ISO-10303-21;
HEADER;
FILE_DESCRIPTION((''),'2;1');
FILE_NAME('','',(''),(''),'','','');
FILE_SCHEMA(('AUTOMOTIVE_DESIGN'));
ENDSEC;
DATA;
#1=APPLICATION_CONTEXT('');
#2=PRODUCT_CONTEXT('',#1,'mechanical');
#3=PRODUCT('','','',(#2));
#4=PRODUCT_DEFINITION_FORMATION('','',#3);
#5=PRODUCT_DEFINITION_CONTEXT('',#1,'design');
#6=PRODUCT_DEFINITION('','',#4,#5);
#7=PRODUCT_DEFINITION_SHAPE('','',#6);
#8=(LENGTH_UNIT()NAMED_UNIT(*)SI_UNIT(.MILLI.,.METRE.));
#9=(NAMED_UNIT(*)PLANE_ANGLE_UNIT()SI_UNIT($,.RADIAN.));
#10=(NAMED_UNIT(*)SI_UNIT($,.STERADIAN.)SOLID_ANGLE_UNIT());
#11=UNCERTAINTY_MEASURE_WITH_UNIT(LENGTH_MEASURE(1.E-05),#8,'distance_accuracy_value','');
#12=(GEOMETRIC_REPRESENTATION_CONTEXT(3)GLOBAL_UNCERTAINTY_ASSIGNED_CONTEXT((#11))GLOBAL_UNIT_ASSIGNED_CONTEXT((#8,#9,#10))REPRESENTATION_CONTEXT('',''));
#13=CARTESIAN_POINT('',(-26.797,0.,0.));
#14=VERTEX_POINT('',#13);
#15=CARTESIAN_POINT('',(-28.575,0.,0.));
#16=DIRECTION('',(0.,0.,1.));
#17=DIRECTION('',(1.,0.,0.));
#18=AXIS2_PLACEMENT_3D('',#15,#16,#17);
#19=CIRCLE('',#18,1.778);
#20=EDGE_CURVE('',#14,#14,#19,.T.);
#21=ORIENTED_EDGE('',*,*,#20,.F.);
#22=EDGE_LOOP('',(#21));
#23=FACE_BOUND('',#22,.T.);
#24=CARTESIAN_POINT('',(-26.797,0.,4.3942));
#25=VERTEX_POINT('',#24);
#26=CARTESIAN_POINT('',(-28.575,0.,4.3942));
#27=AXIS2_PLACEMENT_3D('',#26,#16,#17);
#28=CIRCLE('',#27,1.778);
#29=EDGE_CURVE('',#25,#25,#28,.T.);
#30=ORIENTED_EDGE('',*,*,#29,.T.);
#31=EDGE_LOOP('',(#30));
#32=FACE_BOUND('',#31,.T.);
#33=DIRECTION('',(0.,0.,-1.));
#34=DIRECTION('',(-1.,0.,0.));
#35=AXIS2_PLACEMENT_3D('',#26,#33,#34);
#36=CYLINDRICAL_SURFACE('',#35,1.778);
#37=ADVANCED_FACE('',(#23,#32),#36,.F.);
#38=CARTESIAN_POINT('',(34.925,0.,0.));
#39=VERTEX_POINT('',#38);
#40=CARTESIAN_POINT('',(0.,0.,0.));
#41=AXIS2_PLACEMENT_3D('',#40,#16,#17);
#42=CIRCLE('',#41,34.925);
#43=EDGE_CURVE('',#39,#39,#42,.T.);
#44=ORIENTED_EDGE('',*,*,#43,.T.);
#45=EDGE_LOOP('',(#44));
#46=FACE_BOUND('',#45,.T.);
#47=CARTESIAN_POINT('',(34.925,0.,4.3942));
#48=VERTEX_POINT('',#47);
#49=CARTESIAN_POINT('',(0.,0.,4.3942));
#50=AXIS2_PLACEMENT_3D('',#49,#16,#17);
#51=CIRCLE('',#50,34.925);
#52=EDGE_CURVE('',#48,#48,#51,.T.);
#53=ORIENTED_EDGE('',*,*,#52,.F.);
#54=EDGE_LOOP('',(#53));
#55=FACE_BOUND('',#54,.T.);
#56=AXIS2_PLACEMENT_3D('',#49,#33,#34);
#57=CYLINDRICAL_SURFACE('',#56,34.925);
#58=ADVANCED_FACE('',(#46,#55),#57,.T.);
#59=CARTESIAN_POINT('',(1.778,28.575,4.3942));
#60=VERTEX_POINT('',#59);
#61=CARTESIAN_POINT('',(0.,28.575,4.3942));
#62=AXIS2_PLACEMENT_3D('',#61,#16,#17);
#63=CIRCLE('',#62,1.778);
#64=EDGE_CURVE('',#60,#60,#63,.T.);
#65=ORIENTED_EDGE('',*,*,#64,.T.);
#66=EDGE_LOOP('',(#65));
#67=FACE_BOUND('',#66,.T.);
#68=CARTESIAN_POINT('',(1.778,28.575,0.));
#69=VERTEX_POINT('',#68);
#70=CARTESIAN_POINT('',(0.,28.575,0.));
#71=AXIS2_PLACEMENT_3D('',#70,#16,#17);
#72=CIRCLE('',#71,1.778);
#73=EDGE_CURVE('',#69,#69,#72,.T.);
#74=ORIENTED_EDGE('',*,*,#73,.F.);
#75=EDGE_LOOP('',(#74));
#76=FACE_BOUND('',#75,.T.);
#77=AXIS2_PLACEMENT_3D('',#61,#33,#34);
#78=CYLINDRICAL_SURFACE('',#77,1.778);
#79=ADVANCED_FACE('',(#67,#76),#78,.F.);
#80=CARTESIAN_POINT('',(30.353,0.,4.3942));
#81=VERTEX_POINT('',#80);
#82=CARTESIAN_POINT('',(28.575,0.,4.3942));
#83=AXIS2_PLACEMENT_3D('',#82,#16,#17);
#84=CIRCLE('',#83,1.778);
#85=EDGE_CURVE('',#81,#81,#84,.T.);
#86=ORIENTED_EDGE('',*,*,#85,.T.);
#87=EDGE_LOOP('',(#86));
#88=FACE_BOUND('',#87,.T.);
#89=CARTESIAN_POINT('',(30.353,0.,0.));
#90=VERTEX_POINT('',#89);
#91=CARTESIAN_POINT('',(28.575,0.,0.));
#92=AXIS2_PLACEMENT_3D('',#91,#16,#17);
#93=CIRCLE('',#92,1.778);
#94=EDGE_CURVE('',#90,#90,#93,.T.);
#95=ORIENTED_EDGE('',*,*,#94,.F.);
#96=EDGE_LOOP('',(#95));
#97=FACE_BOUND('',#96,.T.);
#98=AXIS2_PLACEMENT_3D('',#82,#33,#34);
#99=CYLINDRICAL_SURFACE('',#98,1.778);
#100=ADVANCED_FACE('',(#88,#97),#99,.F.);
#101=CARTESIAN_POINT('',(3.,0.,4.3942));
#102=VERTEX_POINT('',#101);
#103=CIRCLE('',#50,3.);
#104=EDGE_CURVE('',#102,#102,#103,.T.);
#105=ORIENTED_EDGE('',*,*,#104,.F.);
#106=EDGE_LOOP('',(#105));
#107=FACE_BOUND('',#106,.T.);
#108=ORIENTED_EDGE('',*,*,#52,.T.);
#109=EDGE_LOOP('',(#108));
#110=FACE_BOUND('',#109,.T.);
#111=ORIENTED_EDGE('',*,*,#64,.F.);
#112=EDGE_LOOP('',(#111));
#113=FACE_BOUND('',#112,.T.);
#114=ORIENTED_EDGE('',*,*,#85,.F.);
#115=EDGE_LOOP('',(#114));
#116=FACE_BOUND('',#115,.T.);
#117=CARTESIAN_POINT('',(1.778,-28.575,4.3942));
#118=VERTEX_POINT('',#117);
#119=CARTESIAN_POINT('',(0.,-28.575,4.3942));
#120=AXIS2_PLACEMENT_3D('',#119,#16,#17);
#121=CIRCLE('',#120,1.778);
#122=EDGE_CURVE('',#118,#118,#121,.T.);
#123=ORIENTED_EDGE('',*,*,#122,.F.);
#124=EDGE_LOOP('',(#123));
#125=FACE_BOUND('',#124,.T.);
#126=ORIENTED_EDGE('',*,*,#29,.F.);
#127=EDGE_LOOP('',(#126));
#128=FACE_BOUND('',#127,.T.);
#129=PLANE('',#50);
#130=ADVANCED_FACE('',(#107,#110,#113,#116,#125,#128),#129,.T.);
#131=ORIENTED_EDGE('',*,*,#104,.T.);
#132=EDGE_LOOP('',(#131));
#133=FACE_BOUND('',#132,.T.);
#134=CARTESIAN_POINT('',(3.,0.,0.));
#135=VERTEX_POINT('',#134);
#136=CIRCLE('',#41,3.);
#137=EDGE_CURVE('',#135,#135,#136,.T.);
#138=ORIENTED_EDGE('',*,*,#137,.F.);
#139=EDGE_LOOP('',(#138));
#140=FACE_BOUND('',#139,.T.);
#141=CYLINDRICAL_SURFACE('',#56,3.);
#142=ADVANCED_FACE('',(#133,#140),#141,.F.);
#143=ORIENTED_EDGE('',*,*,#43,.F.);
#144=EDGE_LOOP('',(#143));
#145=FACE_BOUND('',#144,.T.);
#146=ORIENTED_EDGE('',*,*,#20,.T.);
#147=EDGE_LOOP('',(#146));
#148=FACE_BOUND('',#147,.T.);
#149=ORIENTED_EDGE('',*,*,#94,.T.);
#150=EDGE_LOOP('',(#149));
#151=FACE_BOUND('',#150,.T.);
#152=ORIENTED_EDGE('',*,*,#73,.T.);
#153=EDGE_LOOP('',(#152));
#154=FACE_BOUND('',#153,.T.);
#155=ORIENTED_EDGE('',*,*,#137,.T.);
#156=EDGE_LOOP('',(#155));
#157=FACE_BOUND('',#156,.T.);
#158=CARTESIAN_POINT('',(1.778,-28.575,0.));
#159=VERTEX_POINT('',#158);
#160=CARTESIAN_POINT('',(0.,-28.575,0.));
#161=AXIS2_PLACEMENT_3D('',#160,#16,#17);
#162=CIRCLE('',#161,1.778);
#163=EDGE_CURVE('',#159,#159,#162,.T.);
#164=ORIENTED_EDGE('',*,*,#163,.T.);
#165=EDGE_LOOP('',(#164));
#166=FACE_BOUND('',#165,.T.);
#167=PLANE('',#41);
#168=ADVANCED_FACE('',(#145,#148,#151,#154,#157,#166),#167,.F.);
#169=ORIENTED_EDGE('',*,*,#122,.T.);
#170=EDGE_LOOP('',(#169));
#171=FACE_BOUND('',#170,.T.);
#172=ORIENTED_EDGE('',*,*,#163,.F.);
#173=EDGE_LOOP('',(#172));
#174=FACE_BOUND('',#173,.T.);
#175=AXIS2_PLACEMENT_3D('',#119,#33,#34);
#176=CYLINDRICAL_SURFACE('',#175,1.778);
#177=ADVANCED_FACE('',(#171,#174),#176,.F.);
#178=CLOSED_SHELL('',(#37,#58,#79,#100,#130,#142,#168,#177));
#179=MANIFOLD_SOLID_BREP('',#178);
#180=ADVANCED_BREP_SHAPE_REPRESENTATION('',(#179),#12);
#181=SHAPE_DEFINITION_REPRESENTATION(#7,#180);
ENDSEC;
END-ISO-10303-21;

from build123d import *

# Parameters (mm, degrees)
SKETCH1_R           = 34.925
SKETCH1_R_2         = 3
SKETCH1_R_3         = 1.778
BOSS_EXTRUDE1_DEPTH = 4.3942


with BuildPart() as part:
    # Sketch1 → Boss-Extrude1 (new body)
    with BuildSketch(Plane.XY):
        Circle(SKETCH1_R)
        Circle(SKETCH1_R_2, mode=Mode.SUBTRACT)
        with Locations((0, 28.575)):
            Circle(SKETCH1_R_3, mode=Mode.SUBTRACT)
        with Locations((28.575, 0)):
            Circle(SKETCH1_R_3, mode=Mode.SUBTRACT)
        with Locations((0, -28.575)):
            Circle(SKETCH1_R_3, mode=Mode.SUBTRACT)
        with Locations((-28.575, 0)):
            Circle(SKETCH1_R_3, mode=Mode.SUBTRACT)
    extrude(amount=BOSS_EXTRUDE1_DEPTH)


solid = part.part
